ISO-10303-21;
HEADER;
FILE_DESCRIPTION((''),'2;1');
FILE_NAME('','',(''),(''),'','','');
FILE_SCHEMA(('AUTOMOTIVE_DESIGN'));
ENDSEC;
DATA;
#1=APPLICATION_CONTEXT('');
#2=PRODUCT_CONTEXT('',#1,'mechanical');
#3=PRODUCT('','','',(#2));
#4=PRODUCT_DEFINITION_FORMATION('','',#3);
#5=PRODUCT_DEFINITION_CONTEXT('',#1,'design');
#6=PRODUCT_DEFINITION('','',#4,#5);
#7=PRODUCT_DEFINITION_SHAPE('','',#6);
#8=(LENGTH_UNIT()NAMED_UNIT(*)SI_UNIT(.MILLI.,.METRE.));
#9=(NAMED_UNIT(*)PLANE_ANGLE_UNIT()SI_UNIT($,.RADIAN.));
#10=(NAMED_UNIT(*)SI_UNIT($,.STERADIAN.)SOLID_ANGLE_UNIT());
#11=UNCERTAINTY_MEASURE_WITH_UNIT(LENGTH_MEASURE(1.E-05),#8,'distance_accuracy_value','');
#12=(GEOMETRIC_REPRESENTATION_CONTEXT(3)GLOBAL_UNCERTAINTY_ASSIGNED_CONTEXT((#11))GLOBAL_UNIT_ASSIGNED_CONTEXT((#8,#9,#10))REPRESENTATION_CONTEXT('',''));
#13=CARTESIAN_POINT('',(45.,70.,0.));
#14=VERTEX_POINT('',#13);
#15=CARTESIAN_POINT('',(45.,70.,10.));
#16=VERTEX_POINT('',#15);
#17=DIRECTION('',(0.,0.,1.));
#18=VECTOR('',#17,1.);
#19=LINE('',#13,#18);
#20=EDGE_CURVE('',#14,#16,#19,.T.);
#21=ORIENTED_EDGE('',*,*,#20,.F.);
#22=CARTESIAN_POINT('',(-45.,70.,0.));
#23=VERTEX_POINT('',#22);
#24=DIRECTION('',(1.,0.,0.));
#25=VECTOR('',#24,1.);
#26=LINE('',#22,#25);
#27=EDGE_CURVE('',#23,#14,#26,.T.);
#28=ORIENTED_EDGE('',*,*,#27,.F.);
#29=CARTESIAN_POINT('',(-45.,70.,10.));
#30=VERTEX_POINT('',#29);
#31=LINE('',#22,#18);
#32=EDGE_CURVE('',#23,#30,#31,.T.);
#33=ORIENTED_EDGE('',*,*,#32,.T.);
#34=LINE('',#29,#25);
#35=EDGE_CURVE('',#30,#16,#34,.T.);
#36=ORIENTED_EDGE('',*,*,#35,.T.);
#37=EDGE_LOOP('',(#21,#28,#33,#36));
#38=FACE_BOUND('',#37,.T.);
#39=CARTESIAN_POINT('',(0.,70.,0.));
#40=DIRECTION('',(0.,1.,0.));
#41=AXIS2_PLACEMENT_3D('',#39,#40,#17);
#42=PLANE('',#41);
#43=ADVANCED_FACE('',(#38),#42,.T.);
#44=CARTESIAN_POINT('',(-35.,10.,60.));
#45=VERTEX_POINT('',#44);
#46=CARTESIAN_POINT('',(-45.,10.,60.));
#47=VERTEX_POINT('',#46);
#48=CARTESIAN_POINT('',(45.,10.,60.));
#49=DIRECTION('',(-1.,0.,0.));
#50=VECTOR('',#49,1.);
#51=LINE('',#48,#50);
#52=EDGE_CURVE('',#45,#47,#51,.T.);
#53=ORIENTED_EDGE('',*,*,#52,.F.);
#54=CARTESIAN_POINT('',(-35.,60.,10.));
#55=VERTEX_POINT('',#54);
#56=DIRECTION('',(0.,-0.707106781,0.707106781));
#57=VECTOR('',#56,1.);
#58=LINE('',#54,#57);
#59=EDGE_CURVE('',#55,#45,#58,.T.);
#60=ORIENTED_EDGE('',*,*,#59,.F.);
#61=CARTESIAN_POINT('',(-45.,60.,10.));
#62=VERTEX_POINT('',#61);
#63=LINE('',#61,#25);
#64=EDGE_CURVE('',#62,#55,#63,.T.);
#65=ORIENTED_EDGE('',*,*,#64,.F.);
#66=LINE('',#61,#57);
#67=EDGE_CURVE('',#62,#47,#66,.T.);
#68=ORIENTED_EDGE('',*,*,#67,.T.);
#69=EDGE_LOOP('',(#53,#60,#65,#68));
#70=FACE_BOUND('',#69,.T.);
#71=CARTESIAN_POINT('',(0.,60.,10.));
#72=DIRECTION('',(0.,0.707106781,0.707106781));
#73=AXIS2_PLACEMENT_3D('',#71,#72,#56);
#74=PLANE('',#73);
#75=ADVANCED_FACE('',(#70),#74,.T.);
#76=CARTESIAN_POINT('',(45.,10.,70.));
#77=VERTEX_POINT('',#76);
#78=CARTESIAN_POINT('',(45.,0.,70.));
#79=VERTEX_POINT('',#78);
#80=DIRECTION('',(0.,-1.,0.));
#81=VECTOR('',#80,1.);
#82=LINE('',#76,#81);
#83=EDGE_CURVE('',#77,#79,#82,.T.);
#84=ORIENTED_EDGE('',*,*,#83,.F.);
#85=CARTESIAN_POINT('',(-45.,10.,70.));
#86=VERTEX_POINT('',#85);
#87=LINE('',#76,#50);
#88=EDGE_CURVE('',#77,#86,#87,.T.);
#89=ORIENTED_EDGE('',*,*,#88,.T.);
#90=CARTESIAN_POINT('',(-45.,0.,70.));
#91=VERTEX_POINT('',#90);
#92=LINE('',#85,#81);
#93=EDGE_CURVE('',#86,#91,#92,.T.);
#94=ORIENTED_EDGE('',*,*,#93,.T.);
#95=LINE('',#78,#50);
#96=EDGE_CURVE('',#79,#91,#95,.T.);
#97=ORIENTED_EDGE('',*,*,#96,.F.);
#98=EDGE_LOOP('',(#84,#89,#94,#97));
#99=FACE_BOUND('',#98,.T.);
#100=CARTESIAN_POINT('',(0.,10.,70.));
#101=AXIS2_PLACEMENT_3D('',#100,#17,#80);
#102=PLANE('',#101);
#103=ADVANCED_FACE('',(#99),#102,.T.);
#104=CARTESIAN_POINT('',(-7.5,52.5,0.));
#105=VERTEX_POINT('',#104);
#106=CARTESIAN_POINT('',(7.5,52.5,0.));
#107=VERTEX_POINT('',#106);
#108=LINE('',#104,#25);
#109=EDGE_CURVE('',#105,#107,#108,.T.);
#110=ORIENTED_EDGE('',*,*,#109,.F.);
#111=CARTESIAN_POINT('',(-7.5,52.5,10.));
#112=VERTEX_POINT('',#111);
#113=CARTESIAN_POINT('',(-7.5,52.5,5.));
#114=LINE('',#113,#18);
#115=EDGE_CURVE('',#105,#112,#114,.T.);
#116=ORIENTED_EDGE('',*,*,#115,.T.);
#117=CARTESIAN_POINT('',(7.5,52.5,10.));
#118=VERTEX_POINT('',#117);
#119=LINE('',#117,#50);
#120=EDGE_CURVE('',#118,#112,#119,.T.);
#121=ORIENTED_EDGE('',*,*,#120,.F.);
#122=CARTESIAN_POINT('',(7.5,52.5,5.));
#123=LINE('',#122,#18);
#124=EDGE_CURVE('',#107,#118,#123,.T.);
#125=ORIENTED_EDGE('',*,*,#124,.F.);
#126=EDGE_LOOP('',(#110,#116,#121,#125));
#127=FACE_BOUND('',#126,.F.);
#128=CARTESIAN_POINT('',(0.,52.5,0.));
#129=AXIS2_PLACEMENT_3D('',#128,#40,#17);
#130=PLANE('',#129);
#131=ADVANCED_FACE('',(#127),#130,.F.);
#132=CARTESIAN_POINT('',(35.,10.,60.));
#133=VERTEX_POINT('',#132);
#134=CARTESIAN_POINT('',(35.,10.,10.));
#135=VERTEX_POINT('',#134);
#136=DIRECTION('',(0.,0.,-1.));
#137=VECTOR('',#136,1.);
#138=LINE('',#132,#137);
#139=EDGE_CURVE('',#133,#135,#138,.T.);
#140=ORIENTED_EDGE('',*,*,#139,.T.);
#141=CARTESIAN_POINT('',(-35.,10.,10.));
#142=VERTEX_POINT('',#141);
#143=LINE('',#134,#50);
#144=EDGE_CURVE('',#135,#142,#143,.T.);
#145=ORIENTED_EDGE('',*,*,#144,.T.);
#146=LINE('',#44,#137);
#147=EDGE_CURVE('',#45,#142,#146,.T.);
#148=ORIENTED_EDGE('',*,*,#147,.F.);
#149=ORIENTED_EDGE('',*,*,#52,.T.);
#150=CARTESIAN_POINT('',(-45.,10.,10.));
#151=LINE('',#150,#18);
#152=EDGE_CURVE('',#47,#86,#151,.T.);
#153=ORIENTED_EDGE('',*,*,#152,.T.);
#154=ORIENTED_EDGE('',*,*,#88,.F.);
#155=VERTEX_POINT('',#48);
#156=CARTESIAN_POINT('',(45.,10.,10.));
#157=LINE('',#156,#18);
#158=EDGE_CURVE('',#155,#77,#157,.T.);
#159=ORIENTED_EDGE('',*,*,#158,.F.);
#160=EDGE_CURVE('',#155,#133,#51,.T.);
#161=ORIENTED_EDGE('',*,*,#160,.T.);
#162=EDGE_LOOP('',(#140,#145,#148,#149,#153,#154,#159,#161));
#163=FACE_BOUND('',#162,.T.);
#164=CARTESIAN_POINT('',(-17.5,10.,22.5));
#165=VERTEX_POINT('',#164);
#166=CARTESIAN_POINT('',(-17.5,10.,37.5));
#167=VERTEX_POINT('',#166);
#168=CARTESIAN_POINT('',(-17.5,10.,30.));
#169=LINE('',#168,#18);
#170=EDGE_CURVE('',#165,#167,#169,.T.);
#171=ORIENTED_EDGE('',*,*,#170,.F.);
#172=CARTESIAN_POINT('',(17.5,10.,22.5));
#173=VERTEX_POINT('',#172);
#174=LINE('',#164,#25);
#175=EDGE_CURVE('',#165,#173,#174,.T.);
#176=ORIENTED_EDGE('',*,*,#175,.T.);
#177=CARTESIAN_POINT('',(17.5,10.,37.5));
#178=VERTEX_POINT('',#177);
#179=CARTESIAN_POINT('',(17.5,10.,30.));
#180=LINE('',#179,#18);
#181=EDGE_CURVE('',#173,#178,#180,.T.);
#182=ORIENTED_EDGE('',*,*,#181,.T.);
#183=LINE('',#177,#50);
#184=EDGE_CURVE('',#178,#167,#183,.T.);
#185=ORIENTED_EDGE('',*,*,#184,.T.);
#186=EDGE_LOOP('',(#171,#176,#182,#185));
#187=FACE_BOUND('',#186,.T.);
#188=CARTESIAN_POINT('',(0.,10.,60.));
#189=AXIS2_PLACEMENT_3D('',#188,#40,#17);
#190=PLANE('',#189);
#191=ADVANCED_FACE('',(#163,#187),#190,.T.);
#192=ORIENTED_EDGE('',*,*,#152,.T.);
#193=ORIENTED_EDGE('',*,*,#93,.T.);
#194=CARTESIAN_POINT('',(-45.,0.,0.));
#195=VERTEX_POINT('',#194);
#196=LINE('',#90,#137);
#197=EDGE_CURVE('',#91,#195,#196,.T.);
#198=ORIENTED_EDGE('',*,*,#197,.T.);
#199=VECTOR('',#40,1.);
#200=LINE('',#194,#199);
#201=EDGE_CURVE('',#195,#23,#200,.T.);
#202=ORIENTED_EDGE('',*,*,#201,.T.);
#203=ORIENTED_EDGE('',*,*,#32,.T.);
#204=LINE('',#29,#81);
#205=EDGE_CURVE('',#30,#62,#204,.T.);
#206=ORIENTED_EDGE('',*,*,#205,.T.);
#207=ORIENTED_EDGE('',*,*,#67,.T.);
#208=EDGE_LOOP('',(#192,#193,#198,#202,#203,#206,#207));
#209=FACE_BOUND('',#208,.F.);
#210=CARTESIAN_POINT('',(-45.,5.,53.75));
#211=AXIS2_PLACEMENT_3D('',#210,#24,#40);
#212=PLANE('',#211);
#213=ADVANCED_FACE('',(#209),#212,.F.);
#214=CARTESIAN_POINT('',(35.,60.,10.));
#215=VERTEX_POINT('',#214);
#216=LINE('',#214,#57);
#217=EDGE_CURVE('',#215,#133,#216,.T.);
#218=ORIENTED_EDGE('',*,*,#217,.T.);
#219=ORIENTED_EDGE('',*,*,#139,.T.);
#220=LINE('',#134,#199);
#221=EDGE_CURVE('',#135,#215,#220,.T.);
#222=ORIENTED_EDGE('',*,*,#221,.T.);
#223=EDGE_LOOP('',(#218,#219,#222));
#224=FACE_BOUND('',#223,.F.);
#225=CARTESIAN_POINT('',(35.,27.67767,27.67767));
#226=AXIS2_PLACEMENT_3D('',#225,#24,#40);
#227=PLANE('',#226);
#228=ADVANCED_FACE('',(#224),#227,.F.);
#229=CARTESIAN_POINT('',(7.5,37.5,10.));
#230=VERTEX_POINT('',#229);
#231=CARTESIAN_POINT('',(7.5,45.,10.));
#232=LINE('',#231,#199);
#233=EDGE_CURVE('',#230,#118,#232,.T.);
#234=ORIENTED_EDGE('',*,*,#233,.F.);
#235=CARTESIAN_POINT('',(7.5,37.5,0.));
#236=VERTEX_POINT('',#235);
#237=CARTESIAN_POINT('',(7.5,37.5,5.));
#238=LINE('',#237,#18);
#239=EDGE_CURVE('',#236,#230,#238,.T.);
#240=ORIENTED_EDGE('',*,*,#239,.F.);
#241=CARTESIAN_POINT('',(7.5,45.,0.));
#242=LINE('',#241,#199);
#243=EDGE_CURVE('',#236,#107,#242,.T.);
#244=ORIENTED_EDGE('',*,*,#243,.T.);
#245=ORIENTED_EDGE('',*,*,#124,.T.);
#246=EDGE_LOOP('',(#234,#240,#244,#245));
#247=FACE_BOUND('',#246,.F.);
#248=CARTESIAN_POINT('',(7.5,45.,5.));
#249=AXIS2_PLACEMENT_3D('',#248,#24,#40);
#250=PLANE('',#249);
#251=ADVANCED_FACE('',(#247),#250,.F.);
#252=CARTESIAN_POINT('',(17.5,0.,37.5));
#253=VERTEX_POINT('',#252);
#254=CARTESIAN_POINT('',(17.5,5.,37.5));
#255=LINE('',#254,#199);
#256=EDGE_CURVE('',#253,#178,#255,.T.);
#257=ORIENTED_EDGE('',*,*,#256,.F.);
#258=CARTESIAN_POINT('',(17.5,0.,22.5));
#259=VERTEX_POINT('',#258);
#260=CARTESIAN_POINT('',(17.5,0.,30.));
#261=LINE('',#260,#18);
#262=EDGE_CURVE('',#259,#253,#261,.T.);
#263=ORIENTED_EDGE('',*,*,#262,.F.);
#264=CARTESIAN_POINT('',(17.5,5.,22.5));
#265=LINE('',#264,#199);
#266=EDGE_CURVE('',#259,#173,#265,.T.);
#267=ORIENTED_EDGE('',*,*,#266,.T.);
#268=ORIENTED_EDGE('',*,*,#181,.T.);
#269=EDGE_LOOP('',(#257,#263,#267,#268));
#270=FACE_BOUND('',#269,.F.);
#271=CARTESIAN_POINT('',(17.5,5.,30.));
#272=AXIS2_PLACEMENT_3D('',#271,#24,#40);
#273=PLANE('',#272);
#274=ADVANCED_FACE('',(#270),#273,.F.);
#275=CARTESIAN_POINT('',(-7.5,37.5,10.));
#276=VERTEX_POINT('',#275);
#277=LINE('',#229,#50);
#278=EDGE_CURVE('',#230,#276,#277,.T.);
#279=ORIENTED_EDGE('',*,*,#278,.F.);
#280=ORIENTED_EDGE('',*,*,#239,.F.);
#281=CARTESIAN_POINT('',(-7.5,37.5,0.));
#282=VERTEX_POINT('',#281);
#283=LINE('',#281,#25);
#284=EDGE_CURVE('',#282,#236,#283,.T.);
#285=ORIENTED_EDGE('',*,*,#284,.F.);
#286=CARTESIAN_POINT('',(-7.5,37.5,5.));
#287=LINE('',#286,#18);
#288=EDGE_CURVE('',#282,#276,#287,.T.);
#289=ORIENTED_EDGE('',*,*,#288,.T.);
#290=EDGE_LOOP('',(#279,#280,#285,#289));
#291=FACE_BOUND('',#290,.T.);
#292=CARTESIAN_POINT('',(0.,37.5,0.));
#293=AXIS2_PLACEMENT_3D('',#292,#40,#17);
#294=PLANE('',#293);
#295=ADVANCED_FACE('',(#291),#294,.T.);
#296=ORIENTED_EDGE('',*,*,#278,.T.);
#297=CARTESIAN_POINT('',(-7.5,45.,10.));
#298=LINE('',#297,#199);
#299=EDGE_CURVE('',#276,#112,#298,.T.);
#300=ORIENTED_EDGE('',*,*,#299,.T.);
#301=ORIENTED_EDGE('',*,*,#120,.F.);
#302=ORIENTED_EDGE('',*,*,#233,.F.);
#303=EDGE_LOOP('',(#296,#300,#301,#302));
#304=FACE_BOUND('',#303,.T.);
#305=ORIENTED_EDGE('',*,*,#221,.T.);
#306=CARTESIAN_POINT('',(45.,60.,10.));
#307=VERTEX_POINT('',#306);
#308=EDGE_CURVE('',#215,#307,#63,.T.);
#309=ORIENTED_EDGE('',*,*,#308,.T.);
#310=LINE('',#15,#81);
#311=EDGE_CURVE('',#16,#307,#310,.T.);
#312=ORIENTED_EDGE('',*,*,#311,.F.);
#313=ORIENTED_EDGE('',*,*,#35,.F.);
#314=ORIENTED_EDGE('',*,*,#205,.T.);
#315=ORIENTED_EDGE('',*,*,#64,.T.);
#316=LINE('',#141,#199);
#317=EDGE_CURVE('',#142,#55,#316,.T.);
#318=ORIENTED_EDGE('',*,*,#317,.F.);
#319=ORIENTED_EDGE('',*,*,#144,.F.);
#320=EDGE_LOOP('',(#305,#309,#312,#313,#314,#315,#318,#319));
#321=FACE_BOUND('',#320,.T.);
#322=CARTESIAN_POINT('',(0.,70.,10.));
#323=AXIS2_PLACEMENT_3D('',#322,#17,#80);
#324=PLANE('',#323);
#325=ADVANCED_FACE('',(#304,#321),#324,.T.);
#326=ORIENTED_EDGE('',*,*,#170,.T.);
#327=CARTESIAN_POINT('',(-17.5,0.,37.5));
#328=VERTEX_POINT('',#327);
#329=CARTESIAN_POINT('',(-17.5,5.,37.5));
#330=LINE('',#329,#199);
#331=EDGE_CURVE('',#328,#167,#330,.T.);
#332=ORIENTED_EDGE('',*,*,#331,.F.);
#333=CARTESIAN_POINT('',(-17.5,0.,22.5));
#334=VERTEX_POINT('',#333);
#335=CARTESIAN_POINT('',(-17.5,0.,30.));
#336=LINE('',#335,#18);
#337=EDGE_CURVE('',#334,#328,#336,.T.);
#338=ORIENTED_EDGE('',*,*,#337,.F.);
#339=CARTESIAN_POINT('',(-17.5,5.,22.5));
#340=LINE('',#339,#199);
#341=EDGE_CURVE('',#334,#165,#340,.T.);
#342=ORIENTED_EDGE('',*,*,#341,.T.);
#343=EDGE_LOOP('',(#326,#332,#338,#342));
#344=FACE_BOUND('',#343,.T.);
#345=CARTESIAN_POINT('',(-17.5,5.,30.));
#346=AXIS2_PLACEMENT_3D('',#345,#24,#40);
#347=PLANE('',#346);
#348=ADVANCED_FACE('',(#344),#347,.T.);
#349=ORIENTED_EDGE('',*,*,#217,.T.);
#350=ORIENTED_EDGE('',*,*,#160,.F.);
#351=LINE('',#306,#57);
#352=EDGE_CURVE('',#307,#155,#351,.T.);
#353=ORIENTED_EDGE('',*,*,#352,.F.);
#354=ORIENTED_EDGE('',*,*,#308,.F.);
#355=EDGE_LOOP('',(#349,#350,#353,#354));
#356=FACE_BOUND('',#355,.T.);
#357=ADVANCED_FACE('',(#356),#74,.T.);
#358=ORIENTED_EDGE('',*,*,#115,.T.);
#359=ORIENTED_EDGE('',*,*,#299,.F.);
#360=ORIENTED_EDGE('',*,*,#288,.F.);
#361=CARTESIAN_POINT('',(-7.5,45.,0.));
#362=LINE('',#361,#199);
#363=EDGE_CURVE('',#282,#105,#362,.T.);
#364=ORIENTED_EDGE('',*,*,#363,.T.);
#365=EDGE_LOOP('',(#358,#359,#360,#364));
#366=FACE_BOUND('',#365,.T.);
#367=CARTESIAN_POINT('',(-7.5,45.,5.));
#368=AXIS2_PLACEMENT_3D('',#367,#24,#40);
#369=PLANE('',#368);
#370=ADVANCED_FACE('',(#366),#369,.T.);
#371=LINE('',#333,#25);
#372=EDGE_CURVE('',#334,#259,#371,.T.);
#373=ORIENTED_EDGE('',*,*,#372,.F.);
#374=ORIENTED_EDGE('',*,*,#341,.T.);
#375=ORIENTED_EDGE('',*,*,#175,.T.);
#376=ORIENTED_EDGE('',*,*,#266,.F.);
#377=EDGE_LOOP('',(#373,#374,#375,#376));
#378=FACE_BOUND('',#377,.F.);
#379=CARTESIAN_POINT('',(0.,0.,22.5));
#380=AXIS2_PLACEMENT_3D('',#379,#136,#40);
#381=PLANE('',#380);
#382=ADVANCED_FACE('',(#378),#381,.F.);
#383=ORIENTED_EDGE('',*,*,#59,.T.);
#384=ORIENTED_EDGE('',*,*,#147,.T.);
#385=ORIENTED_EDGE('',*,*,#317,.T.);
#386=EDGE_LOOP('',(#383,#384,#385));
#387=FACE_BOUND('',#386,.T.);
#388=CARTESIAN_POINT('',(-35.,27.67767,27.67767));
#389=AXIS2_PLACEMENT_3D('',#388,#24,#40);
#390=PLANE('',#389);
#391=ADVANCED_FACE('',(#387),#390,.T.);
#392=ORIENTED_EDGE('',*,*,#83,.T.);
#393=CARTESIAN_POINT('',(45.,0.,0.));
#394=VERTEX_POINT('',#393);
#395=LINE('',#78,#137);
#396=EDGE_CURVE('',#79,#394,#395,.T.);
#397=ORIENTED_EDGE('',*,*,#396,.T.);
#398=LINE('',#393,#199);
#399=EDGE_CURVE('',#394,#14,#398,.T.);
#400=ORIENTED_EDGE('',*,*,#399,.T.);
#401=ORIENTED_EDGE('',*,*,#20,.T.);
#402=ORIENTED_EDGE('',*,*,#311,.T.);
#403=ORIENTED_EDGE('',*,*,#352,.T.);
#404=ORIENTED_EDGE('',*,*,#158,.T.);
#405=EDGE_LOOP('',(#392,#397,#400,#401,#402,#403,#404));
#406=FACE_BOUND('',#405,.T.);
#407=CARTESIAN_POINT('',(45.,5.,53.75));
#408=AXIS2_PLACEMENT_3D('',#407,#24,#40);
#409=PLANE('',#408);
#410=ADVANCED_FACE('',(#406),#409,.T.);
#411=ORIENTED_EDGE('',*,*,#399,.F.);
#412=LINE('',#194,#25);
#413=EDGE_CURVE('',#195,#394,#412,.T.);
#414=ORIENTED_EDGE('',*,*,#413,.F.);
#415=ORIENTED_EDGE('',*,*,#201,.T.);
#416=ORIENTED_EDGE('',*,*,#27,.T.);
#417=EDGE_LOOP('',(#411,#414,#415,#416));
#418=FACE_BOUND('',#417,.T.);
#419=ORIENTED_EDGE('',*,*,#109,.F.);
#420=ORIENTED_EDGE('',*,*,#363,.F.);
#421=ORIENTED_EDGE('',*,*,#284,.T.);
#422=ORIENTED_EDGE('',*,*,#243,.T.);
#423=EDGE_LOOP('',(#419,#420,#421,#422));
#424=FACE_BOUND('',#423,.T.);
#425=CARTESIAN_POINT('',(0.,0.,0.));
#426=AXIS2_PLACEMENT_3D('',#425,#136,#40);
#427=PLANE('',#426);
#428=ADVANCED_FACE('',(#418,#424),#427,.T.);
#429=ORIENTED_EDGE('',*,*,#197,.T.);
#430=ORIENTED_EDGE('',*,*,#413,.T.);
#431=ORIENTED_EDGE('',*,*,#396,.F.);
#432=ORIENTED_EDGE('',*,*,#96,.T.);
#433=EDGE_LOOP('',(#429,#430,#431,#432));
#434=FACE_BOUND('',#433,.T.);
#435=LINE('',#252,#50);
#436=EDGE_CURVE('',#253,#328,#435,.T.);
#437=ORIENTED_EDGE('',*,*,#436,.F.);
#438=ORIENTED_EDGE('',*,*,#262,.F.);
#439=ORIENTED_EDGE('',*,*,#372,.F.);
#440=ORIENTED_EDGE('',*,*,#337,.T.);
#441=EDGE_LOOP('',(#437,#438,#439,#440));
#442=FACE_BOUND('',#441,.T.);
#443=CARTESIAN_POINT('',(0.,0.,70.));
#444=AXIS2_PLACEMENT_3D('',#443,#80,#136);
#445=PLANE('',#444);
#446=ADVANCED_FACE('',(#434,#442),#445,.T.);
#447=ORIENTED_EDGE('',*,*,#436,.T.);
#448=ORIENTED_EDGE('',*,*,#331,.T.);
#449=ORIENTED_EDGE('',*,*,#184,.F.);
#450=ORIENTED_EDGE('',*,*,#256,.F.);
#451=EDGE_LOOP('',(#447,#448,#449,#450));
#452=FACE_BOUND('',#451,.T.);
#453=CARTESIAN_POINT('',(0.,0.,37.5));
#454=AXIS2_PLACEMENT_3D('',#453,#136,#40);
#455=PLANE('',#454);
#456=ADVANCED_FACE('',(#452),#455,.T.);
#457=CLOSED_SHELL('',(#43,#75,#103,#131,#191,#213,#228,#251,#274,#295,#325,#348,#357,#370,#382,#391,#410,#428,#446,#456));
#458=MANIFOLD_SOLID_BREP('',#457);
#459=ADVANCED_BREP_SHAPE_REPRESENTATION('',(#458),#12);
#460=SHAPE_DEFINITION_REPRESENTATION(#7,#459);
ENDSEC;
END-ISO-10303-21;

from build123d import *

# Parameters (mm, degrees)
F0_W     = 10
F0_H     = 15
F0_W_2   = 15
F0_H_2   = 10
F1_DEPTH = 45
F2_DEPTH = 35
F3_DEPTH = 17.5
F4_DEPTH = 7.5


with BuildPart() as f1:
    # F0 (on Right) → F1 (new body, symmetric)
    with BuildSketch(Plane.YZ):
        Polygon((0, 70), (0, 37.5), (10, 37.5), (10, 60), (10, 70), align=None)
        with Locations((5, 30)):
            Rectangle(F0_W, F0_H)
        Polygon((0, 22.5), (0, 0), (37.5, 0), (37.5, 10), (10, 10), (10, 22.5), align=None)
        Polygon((10, 37.5), (10, 22.5), (10, 10), (37.5, 10), (52.5, 10), (60, 10), (10, 60), align=None)
        with Locations((45, 5)):
            Rectangle(F0_W_2, F0_H_2)
        Polygon((52.5, 10), (52.5, 0), (70, 0), (70, 10), (60, 10), align=None)
    extrude(amount=F1_DEPTH, both=True)

    # F0 (on Right) → F2 (cut, symmetric)
    with BuildSketch(Plane.YZ):
        Polygon((10, 37.5), (10, 22.5), (10, 10), (37.5, 10), (52.5, 10), (60, 10), (10, 60), align=None)
    extrude(amount=F2_DEPTH, both=True, mode=Mode.SUBTRACT)

    # F0 (on Right) → F3 (cut, symmetric)
    with BuildSketch(Plane.YZ):
        with Locations((5, 30)):
            Rectangle(F0_W, F0_H)
    extrude(amount=F3_DEPTH, both=True, mode=Mode.SUBTRACT)

    # F0 (on Right) → F4 (cut, symmetric)
    with BuildSketch(Plane.YZ):
        with Locations((45, 5)):
            Rectangle(F0_W_2, F0_H_2)
    extrude(amount=F4_DEPTH, both=True, mode=Mode.SUBTRACT)


solid = f1.part
